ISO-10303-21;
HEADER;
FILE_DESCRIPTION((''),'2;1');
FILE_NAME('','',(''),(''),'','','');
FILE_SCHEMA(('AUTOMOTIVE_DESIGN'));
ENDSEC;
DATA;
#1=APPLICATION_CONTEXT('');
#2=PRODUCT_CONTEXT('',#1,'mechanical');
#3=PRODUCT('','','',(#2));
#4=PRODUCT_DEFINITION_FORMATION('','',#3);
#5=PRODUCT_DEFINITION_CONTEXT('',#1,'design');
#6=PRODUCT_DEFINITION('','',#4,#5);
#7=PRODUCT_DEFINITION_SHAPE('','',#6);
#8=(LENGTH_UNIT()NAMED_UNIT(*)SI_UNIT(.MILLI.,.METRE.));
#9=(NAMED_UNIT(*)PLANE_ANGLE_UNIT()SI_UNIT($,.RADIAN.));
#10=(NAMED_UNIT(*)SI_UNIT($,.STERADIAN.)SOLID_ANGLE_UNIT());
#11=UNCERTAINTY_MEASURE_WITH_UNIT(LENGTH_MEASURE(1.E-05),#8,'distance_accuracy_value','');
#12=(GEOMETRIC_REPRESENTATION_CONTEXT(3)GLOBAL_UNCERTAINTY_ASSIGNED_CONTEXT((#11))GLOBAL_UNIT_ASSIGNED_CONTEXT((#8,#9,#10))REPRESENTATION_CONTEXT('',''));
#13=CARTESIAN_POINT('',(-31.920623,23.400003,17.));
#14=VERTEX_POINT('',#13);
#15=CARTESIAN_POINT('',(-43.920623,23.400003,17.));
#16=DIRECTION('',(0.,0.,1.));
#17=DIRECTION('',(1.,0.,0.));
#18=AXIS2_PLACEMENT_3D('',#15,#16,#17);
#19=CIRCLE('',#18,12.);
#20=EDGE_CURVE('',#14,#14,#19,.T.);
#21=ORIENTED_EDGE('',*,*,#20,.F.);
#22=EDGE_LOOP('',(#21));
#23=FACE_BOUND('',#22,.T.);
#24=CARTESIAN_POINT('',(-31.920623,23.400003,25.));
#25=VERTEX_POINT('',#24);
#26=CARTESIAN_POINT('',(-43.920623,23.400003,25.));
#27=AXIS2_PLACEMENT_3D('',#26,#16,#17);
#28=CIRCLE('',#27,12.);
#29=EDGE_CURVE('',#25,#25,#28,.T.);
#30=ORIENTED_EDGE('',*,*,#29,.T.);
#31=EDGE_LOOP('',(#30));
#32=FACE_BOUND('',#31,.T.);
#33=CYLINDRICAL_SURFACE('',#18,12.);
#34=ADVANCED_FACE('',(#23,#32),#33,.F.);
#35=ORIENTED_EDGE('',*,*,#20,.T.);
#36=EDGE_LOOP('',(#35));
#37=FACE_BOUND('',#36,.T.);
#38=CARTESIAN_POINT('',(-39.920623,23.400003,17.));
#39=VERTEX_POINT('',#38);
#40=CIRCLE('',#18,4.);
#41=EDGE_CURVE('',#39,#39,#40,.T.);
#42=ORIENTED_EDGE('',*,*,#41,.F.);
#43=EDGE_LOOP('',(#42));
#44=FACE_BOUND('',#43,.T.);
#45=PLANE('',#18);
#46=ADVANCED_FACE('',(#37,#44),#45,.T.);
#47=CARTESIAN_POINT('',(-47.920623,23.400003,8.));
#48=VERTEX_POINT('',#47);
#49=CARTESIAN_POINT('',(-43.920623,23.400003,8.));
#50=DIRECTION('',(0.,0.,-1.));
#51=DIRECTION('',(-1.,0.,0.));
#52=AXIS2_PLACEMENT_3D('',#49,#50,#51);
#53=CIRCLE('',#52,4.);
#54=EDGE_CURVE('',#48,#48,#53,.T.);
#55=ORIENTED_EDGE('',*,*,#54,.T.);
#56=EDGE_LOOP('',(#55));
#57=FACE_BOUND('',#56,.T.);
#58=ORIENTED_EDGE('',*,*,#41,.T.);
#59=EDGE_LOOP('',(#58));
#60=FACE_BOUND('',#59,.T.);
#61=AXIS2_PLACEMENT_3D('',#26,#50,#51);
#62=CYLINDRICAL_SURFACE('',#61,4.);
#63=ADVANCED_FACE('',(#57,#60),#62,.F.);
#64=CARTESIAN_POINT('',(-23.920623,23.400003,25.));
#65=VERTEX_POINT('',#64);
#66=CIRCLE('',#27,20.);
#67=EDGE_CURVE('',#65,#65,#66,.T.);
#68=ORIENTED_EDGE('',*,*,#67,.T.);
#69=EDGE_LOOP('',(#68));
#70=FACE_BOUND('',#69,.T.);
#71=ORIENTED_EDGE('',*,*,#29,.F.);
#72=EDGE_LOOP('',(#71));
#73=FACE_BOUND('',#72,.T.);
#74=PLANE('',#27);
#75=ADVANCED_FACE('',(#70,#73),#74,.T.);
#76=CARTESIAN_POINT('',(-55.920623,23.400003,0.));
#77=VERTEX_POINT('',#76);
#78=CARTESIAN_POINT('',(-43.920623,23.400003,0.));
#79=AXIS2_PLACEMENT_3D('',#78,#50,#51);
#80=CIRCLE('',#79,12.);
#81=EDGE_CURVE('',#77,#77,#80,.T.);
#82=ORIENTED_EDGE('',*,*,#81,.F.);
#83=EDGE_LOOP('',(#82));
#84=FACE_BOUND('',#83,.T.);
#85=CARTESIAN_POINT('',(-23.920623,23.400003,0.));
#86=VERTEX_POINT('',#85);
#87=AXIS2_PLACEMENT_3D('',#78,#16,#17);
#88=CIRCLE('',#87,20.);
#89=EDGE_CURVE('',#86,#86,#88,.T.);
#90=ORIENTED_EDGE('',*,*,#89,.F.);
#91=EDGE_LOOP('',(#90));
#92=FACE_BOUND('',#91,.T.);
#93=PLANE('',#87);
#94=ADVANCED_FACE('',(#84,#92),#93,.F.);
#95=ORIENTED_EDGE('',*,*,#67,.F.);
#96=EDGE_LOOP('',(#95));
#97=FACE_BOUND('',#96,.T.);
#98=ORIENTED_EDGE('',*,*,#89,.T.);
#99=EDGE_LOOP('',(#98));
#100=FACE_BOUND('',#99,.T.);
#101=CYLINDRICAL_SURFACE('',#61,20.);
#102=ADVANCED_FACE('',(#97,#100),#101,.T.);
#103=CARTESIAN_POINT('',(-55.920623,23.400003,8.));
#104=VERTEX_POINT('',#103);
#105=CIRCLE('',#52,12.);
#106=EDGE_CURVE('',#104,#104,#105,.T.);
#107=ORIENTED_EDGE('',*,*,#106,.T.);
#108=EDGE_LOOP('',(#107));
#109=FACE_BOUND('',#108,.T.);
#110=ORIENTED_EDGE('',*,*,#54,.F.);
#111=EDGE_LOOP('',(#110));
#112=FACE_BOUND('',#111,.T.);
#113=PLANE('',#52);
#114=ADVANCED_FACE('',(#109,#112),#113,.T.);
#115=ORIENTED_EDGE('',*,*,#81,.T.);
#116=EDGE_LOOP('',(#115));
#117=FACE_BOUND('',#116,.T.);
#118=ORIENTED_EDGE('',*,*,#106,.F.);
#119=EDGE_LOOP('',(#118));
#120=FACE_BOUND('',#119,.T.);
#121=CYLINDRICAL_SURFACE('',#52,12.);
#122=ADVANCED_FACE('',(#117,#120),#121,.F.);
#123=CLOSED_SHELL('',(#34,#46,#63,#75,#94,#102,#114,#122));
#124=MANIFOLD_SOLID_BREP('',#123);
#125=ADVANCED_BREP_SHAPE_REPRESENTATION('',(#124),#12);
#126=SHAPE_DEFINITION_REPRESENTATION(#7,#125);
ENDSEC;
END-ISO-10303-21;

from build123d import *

# Parameters (mm, degrees)
SKETCH_1_R          = 20
SKETCH_1_R_2        = 4
EXTRUDE_1_DEPTH     = 25
SKETCH_2_R          = 12
CUT_EXTRUDE_1_DEPTH = 8
CUT_EXTRUDE_START   = -8
SKETCH_3_R          = 12
CUT_EXTRUDE_2_DEPTH = 8


with BuildPart() as part:
    # 草图1 → 凸台-拉伸1 (new body)
    with BuildSketch(Plane.XY):
        with Locations((-43.920622876, 23.400003441)):
            Circle(SKETCH_1_R)
        with Locations((-43.920622876, 23.400003441)):
            Circle(SKETCH_1_R_2, mode=Mode.SUBTRACT)
    extrude(amount=EXTRUDE_1_DEPTH)

    # 草图2 → 切除-拉伸1 (cut)
    with BuildSketch(Plane.XY.offset(25)):
        with Locations((-43.920622876, 23.400003441)):
            Circle(SKETCH_2_R)
    extrude(amount=-CUT_EXTRUDE_1_DEPTH, mode=Mode.SUBTRACT)

    # 草图3 → 切除-拉伸2 (cut)
    with BuildSketch(Plane(origin=(0, 0, 0), x_dir=(-1, 0, 0), z_dir=(0, 0, -1)).offset(CUT_EXTRUDE_START)):
        with Locations(Location((43.920622876, 23.400003441, 0), (0, 0, 180))):
            Circle(SKETCH_3_R)
    extrude(amount=CUT_EXTRUDE_2_DEPTH, mode=Mode.SUBTRACT)


solid = part.part
